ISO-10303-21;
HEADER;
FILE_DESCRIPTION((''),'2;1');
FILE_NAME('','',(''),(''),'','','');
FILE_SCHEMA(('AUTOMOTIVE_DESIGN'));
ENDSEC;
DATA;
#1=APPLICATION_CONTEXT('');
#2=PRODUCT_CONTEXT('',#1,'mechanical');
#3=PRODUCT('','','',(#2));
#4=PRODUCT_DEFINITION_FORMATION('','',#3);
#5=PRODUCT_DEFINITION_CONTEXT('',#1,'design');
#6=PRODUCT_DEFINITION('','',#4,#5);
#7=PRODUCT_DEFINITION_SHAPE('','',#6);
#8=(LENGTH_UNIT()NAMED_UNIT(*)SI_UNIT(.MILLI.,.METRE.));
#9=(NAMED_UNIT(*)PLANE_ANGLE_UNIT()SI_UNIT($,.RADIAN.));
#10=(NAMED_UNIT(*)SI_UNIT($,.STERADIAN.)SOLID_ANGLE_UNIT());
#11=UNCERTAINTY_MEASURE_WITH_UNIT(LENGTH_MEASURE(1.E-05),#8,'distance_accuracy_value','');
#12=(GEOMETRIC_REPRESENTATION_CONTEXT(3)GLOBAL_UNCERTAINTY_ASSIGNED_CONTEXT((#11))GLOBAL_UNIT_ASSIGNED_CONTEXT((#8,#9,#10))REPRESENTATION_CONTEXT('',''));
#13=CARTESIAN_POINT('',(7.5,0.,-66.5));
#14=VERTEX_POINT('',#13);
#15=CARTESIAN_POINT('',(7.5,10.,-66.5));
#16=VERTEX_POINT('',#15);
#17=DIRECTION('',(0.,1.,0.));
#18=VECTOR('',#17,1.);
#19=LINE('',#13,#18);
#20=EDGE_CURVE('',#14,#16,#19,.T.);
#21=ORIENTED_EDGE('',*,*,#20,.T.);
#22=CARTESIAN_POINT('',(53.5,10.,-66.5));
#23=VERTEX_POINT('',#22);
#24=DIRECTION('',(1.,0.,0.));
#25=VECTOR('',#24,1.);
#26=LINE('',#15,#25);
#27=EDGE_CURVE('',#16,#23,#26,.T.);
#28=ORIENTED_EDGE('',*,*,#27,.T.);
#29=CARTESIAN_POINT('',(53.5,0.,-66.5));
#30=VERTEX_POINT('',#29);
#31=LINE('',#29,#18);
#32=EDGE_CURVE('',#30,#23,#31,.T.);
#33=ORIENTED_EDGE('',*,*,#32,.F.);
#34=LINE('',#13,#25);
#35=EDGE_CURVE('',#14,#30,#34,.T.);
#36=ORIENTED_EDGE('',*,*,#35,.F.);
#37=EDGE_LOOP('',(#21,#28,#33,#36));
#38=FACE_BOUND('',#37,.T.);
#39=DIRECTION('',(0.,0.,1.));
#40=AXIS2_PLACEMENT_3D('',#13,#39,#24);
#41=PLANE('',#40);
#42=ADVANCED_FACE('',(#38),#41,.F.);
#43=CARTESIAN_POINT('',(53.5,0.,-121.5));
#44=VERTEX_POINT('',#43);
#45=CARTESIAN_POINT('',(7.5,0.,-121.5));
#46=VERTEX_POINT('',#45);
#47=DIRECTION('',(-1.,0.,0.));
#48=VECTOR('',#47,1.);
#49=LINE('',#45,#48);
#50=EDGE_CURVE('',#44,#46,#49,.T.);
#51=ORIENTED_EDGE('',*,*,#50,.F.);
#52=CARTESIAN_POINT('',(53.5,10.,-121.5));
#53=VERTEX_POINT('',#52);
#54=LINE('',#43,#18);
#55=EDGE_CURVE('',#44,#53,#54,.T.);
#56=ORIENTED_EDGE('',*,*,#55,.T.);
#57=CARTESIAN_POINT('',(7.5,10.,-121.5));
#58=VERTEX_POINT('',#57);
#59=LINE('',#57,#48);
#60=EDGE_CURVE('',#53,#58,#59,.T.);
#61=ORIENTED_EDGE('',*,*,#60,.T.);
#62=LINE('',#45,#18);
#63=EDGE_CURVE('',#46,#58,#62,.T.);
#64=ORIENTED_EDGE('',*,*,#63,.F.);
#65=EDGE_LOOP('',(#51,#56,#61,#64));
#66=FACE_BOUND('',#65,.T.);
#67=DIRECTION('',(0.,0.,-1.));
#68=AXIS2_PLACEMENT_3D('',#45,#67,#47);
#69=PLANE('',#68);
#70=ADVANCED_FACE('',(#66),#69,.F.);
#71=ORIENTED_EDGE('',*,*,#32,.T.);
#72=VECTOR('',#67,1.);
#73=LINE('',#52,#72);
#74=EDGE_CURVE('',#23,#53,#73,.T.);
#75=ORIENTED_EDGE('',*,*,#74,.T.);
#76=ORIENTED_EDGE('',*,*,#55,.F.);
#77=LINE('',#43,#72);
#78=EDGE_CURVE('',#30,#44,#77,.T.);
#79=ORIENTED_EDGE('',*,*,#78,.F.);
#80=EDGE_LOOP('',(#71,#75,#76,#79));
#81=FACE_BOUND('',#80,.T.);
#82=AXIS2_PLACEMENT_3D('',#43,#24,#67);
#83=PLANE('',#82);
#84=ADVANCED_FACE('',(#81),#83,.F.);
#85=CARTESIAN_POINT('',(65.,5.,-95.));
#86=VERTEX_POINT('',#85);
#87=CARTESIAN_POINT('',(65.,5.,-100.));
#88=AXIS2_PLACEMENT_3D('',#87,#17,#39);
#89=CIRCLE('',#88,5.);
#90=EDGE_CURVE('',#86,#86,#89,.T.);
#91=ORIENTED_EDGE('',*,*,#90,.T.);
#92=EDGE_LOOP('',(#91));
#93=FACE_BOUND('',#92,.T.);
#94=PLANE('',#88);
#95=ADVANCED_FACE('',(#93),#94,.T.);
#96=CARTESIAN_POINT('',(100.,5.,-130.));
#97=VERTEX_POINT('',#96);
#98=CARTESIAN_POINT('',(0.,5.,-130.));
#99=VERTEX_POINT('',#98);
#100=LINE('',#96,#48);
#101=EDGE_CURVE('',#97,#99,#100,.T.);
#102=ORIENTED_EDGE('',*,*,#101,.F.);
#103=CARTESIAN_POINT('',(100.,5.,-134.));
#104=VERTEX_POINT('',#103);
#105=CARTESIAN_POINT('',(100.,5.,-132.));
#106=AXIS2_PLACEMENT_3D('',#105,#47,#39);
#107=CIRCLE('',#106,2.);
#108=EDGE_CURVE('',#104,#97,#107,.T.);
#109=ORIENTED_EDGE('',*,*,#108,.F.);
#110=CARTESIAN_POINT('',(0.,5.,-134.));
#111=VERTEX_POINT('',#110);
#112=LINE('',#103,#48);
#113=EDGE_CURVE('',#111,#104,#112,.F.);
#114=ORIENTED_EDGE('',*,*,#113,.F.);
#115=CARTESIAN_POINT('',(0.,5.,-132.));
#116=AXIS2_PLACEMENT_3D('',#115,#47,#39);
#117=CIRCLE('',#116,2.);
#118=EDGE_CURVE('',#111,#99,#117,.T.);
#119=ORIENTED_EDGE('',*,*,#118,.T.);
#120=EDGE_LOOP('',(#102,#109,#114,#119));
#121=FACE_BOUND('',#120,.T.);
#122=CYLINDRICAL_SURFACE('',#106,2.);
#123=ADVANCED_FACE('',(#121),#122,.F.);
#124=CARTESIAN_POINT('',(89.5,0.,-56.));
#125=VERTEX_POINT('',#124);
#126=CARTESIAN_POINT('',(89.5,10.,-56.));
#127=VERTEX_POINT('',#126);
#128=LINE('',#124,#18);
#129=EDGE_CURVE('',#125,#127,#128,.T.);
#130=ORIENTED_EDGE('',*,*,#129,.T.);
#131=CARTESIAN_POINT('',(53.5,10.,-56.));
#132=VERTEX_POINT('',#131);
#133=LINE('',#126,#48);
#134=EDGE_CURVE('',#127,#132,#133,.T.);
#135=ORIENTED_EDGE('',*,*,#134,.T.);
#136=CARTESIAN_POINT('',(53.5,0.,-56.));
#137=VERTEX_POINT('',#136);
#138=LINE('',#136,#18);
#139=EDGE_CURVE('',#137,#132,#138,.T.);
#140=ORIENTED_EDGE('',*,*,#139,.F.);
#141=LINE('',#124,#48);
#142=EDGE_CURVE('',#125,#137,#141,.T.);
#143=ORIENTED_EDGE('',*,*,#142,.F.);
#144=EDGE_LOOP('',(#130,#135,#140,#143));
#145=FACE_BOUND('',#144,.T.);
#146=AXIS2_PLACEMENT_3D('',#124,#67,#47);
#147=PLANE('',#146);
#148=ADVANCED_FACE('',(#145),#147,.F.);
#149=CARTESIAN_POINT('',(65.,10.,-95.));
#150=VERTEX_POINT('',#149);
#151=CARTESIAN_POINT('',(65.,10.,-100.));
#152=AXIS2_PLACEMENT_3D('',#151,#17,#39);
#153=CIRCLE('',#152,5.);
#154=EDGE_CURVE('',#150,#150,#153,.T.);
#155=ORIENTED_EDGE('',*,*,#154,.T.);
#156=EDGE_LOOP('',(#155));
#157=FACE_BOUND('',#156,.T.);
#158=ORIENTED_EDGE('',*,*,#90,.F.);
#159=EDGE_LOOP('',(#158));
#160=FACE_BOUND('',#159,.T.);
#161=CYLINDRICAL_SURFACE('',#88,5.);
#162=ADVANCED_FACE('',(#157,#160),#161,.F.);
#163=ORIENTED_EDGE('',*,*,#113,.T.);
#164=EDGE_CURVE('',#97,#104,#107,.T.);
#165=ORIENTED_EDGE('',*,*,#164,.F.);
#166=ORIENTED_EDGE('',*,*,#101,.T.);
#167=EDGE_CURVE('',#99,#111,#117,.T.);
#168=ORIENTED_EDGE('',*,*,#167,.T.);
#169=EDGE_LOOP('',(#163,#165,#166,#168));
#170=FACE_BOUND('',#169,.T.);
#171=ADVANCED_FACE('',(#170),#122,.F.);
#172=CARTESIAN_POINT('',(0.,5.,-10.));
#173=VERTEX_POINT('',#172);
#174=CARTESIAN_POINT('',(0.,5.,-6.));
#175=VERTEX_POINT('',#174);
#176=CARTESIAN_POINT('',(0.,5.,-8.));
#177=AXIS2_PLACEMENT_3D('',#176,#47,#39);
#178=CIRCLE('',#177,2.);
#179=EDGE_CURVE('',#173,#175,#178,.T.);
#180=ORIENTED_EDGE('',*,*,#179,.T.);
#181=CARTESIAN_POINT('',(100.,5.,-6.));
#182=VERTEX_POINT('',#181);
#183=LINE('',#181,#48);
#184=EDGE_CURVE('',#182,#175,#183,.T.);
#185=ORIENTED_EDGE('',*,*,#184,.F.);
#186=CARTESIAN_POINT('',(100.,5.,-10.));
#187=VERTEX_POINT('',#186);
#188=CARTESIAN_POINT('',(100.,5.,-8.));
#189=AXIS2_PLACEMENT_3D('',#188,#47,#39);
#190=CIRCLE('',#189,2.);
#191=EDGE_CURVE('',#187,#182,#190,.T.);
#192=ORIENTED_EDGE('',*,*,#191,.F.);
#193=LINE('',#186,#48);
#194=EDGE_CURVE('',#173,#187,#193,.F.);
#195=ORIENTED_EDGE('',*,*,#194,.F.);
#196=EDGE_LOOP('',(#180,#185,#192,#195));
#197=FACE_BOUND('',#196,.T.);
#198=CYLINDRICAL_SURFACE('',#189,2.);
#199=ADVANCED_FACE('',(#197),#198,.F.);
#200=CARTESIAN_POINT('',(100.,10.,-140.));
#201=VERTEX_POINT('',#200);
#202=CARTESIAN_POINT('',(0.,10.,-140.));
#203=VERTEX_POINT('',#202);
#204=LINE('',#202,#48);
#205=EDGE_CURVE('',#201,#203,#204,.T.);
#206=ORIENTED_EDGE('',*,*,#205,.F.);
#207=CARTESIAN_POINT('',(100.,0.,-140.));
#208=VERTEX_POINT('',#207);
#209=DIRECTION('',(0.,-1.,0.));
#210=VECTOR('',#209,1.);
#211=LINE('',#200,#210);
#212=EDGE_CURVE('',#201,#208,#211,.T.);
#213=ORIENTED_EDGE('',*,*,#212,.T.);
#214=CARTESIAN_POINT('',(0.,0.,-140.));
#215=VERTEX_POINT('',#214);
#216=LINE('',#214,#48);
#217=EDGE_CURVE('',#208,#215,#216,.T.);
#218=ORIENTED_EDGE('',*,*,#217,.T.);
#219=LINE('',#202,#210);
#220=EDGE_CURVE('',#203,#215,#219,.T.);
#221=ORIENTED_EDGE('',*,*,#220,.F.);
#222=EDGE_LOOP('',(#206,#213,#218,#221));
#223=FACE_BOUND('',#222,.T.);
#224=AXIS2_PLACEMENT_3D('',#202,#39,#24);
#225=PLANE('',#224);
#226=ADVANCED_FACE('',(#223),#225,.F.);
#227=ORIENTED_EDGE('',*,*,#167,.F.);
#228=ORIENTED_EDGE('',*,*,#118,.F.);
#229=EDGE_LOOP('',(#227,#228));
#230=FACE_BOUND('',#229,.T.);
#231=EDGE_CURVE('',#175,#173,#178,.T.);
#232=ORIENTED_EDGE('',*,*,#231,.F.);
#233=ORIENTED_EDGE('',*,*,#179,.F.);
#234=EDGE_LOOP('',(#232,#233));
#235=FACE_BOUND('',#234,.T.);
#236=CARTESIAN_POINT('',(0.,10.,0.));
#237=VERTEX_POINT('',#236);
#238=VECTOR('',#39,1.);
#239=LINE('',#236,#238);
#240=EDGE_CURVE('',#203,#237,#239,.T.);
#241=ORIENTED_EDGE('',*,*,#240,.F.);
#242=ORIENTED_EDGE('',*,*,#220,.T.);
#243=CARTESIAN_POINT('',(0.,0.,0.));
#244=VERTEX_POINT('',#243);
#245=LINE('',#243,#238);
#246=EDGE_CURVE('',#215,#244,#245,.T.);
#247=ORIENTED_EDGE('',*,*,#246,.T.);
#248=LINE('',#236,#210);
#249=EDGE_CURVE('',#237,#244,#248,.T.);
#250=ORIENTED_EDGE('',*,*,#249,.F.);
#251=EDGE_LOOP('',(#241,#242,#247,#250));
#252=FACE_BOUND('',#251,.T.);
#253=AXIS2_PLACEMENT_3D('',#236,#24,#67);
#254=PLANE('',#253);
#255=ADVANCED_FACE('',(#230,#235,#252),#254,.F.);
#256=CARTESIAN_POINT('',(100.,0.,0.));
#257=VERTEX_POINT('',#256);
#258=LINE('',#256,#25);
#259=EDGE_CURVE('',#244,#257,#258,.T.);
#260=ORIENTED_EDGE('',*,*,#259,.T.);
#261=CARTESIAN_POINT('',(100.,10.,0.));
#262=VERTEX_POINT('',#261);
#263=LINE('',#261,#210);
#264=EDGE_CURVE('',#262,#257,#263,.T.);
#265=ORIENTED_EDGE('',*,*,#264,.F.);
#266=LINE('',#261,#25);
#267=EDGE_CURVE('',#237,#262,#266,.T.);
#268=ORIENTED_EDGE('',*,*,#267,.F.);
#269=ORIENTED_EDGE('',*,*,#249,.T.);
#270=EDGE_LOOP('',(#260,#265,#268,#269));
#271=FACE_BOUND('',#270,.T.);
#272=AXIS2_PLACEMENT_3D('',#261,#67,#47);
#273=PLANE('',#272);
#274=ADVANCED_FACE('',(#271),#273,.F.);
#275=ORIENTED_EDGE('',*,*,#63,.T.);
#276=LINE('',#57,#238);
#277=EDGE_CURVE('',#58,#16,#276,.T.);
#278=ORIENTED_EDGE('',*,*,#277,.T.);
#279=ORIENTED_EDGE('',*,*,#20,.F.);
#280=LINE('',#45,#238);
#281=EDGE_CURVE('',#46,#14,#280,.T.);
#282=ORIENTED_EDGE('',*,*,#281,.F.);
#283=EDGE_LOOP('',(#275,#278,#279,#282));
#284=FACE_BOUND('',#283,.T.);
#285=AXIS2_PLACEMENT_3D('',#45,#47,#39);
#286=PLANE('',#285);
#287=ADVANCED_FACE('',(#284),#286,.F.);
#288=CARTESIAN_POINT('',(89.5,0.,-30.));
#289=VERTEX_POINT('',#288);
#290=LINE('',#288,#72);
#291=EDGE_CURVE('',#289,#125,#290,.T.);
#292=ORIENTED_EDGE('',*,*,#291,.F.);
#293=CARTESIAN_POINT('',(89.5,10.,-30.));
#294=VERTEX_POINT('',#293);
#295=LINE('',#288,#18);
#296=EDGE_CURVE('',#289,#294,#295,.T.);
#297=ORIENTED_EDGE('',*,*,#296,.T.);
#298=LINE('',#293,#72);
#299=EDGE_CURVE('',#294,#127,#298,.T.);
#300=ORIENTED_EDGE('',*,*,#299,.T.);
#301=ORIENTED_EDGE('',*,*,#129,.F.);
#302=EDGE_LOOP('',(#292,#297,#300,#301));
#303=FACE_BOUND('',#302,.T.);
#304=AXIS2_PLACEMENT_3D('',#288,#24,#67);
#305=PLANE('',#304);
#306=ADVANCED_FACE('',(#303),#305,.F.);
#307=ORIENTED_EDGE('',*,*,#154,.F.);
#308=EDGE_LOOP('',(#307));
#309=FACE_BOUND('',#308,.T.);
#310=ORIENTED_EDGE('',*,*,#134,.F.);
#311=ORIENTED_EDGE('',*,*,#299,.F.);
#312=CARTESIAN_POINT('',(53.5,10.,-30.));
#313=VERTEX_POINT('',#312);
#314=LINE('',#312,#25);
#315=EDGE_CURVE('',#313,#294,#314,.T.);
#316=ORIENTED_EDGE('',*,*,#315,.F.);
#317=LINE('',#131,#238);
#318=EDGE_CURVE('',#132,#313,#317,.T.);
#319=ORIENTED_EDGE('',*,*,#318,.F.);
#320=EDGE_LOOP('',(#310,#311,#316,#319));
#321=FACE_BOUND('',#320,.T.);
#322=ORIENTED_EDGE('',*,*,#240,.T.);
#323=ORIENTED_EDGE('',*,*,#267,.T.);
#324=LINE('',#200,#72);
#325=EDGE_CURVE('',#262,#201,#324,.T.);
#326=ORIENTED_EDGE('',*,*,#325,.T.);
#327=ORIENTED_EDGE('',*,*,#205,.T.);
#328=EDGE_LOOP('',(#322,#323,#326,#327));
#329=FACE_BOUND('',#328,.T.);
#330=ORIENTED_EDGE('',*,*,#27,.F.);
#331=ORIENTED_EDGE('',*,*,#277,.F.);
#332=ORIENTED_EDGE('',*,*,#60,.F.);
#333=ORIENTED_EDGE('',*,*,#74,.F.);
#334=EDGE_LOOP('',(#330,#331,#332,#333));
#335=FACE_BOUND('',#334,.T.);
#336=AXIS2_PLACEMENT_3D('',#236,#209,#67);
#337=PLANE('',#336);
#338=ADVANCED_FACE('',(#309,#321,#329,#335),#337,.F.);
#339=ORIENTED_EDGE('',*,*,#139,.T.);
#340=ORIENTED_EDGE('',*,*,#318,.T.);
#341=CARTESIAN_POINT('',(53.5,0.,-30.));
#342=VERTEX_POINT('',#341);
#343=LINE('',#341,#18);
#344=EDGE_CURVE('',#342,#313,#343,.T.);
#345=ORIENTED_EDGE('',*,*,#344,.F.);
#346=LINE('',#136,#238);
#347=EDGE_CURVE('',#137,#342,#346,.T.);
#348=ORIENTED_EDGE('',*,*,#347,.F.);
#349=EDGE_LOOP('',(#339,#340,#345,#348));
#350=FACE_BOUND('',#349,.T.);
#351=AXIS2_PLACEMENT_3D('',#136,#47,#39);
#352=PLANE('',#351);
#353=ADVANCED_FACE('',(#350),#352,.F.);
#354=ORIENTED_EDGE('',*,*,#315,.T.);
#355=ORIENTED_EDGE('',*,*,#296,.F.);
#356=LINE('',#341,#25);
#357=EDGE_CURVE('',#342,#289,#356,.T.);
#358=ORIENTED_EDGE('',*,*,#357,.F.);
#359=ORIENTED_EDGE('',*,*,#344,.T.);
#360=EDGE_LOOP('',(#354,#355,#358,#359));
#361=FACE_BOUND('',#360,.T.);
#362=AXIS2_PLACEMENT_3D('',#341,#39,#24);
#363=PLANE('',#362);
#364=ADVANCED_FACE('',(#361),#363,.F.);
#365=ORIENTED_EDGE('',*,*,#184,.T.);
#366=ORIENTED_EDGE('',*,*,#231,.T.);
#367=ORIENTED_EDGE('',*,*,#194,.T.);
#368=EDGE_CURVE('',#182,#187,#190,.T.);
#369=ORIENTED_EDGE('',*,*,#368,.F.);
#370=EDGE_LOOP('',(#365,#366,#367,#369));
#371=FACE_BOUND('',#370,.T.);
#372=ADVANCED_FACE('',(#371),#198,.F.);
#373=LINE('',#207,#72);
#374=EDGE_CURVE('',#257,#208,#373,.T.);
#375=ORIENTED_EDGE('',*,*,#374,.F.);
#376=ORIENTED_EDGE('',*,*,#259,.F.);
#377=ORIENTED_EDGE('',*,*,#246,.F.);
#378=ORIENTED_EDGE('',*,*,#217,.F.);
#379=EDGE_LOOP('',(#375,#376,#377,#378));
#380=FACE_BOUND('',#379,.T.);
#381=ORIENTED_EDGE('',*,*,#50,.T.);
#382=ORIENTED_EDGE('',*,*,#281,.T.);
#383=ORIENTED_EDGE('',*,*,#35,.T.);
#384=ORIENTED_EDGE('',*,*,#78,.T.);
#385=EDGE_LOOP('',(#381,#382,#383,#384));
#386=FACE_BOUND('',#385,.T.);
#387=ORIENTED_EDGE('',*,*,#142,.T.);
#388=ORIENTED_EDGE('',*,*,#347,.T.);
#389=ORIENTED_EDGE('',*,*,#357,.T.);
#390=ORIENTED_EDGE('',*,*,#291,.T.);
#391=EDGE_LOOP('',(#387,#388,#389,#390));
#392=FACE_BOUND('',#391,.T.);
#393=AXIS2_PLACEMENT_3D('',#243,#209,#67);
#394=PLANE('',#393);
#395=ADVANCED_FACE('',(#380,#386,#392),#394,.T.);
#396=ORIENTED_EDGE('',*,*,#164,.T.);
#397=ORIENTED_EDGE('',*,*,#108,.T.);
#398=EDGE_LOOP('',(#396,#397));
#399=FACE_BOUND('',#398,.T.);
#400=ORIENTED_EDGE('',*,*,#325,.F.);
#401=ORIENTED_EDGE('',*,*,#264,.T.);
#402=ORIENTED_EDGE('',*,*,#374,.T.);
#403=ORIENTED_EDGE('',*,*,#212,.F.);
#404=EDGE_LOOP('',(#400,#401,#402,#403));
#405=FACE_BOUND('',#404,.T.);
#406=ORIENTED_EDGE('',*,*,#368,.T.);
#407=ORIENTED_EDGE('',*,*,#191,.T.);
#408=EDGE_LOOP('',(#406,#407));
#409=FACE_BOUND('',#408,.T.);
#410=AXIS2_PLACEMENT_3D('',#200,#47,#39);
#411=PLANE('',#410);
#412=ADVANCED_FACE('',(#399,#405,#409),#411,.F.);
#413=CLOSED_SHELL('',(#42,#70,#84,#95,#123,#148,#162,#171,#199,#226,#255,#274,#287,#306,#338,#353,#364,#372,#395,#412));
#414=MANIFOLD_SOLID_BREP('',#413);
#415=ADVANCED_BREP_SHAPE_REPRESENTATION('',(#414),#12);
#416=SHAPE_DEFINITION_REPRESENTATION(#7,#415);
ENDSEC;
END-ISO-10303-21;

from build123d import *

# Parameters (mm, degrees)
SKETCH2_W           = 100
SKETCH2_H           = 140
BOSS_EXTRUDE1_DEPTH = 10
SKETCH3_R           = 5
MOUNTHOLE_DEPTH     = 5
SKETCH4_R           = 2
CUT_EXTRUDE2_DEPTH  = 101
SKETCH5_R           = 2
CUT_EXTRUDE3_DEPTH  = 101
SKETCH21_W          = 46
SKETCH21_H          = 55
SKETCH21_W_2        = 36
SKETCH21_H_2        = 26
CUT_EXTRUDE10_DEPTH = 11


with BuildPart() as part:
    # Sketch2 → Boss-Extrude1 (new body)
    with BuildSketch(Plane(origin=(0, 0, 0), x_dir=(1, 0, 0), z_dir=(0, 1, 0))):
        with Locations((50, 70)):
            Rectangle(SKETCH2_W, SKETCH2_H)
    extrude(amount=BOSS_EXTRUDE1_DEPTH)

    # Sketch3 → MountHole (cut)
    with BuildSketch(Plane(origin=(0, 10, 0), x_dir=(1, 0, 0), z_dir=(0, 1, 0))):
        with Locations((65, 100)):
            Circle(SKETCH3_R)
    extrude(amount=-MOUNTHOLE_DEPTH, mode=Mode.SUBTRACT)

    # Sketch4 → Cut-Extrude2 (cut, through all)
    with BuildSketch(Plane.ZY):
        with Locations((-8, 5)):
            Circle(SKETCH4_R)
    extrude(amount=-CUT_EXTRUDE2_DEPTH, mode=Mode.SUBTRACT)

    # Sketch5 → Cut-Extrude3 (cut, through all)
    with BuildSketch(Plane.ZY):
        with Locations((-132, 5)):
            Circle(SKETCH5_R)
    extrude(amount=-CUT_EXTRUDE3_DEPTH, mode=Mode.SUBTRACT)

    # Sketch21 → Cut-Extrude10 (cut, through all)
    with BuildSketch(Plane(origin=(0, 10, 0), x_dir=(1, 0, 0), z_dir=(0, 1, 0))):
        with Locations((30.5, 94)):
            Rectangle(SKETCH21_W, SKETCH21_H)
        with Locations((71.5, 43)):
            Rectangle(SKETCH21_W_2, SKETCH21_H_2)
    extrude(amount=-CUT_EXTRUDE10_DEPTH, mode=Mode.SUBTRACT)


solid = part.part
